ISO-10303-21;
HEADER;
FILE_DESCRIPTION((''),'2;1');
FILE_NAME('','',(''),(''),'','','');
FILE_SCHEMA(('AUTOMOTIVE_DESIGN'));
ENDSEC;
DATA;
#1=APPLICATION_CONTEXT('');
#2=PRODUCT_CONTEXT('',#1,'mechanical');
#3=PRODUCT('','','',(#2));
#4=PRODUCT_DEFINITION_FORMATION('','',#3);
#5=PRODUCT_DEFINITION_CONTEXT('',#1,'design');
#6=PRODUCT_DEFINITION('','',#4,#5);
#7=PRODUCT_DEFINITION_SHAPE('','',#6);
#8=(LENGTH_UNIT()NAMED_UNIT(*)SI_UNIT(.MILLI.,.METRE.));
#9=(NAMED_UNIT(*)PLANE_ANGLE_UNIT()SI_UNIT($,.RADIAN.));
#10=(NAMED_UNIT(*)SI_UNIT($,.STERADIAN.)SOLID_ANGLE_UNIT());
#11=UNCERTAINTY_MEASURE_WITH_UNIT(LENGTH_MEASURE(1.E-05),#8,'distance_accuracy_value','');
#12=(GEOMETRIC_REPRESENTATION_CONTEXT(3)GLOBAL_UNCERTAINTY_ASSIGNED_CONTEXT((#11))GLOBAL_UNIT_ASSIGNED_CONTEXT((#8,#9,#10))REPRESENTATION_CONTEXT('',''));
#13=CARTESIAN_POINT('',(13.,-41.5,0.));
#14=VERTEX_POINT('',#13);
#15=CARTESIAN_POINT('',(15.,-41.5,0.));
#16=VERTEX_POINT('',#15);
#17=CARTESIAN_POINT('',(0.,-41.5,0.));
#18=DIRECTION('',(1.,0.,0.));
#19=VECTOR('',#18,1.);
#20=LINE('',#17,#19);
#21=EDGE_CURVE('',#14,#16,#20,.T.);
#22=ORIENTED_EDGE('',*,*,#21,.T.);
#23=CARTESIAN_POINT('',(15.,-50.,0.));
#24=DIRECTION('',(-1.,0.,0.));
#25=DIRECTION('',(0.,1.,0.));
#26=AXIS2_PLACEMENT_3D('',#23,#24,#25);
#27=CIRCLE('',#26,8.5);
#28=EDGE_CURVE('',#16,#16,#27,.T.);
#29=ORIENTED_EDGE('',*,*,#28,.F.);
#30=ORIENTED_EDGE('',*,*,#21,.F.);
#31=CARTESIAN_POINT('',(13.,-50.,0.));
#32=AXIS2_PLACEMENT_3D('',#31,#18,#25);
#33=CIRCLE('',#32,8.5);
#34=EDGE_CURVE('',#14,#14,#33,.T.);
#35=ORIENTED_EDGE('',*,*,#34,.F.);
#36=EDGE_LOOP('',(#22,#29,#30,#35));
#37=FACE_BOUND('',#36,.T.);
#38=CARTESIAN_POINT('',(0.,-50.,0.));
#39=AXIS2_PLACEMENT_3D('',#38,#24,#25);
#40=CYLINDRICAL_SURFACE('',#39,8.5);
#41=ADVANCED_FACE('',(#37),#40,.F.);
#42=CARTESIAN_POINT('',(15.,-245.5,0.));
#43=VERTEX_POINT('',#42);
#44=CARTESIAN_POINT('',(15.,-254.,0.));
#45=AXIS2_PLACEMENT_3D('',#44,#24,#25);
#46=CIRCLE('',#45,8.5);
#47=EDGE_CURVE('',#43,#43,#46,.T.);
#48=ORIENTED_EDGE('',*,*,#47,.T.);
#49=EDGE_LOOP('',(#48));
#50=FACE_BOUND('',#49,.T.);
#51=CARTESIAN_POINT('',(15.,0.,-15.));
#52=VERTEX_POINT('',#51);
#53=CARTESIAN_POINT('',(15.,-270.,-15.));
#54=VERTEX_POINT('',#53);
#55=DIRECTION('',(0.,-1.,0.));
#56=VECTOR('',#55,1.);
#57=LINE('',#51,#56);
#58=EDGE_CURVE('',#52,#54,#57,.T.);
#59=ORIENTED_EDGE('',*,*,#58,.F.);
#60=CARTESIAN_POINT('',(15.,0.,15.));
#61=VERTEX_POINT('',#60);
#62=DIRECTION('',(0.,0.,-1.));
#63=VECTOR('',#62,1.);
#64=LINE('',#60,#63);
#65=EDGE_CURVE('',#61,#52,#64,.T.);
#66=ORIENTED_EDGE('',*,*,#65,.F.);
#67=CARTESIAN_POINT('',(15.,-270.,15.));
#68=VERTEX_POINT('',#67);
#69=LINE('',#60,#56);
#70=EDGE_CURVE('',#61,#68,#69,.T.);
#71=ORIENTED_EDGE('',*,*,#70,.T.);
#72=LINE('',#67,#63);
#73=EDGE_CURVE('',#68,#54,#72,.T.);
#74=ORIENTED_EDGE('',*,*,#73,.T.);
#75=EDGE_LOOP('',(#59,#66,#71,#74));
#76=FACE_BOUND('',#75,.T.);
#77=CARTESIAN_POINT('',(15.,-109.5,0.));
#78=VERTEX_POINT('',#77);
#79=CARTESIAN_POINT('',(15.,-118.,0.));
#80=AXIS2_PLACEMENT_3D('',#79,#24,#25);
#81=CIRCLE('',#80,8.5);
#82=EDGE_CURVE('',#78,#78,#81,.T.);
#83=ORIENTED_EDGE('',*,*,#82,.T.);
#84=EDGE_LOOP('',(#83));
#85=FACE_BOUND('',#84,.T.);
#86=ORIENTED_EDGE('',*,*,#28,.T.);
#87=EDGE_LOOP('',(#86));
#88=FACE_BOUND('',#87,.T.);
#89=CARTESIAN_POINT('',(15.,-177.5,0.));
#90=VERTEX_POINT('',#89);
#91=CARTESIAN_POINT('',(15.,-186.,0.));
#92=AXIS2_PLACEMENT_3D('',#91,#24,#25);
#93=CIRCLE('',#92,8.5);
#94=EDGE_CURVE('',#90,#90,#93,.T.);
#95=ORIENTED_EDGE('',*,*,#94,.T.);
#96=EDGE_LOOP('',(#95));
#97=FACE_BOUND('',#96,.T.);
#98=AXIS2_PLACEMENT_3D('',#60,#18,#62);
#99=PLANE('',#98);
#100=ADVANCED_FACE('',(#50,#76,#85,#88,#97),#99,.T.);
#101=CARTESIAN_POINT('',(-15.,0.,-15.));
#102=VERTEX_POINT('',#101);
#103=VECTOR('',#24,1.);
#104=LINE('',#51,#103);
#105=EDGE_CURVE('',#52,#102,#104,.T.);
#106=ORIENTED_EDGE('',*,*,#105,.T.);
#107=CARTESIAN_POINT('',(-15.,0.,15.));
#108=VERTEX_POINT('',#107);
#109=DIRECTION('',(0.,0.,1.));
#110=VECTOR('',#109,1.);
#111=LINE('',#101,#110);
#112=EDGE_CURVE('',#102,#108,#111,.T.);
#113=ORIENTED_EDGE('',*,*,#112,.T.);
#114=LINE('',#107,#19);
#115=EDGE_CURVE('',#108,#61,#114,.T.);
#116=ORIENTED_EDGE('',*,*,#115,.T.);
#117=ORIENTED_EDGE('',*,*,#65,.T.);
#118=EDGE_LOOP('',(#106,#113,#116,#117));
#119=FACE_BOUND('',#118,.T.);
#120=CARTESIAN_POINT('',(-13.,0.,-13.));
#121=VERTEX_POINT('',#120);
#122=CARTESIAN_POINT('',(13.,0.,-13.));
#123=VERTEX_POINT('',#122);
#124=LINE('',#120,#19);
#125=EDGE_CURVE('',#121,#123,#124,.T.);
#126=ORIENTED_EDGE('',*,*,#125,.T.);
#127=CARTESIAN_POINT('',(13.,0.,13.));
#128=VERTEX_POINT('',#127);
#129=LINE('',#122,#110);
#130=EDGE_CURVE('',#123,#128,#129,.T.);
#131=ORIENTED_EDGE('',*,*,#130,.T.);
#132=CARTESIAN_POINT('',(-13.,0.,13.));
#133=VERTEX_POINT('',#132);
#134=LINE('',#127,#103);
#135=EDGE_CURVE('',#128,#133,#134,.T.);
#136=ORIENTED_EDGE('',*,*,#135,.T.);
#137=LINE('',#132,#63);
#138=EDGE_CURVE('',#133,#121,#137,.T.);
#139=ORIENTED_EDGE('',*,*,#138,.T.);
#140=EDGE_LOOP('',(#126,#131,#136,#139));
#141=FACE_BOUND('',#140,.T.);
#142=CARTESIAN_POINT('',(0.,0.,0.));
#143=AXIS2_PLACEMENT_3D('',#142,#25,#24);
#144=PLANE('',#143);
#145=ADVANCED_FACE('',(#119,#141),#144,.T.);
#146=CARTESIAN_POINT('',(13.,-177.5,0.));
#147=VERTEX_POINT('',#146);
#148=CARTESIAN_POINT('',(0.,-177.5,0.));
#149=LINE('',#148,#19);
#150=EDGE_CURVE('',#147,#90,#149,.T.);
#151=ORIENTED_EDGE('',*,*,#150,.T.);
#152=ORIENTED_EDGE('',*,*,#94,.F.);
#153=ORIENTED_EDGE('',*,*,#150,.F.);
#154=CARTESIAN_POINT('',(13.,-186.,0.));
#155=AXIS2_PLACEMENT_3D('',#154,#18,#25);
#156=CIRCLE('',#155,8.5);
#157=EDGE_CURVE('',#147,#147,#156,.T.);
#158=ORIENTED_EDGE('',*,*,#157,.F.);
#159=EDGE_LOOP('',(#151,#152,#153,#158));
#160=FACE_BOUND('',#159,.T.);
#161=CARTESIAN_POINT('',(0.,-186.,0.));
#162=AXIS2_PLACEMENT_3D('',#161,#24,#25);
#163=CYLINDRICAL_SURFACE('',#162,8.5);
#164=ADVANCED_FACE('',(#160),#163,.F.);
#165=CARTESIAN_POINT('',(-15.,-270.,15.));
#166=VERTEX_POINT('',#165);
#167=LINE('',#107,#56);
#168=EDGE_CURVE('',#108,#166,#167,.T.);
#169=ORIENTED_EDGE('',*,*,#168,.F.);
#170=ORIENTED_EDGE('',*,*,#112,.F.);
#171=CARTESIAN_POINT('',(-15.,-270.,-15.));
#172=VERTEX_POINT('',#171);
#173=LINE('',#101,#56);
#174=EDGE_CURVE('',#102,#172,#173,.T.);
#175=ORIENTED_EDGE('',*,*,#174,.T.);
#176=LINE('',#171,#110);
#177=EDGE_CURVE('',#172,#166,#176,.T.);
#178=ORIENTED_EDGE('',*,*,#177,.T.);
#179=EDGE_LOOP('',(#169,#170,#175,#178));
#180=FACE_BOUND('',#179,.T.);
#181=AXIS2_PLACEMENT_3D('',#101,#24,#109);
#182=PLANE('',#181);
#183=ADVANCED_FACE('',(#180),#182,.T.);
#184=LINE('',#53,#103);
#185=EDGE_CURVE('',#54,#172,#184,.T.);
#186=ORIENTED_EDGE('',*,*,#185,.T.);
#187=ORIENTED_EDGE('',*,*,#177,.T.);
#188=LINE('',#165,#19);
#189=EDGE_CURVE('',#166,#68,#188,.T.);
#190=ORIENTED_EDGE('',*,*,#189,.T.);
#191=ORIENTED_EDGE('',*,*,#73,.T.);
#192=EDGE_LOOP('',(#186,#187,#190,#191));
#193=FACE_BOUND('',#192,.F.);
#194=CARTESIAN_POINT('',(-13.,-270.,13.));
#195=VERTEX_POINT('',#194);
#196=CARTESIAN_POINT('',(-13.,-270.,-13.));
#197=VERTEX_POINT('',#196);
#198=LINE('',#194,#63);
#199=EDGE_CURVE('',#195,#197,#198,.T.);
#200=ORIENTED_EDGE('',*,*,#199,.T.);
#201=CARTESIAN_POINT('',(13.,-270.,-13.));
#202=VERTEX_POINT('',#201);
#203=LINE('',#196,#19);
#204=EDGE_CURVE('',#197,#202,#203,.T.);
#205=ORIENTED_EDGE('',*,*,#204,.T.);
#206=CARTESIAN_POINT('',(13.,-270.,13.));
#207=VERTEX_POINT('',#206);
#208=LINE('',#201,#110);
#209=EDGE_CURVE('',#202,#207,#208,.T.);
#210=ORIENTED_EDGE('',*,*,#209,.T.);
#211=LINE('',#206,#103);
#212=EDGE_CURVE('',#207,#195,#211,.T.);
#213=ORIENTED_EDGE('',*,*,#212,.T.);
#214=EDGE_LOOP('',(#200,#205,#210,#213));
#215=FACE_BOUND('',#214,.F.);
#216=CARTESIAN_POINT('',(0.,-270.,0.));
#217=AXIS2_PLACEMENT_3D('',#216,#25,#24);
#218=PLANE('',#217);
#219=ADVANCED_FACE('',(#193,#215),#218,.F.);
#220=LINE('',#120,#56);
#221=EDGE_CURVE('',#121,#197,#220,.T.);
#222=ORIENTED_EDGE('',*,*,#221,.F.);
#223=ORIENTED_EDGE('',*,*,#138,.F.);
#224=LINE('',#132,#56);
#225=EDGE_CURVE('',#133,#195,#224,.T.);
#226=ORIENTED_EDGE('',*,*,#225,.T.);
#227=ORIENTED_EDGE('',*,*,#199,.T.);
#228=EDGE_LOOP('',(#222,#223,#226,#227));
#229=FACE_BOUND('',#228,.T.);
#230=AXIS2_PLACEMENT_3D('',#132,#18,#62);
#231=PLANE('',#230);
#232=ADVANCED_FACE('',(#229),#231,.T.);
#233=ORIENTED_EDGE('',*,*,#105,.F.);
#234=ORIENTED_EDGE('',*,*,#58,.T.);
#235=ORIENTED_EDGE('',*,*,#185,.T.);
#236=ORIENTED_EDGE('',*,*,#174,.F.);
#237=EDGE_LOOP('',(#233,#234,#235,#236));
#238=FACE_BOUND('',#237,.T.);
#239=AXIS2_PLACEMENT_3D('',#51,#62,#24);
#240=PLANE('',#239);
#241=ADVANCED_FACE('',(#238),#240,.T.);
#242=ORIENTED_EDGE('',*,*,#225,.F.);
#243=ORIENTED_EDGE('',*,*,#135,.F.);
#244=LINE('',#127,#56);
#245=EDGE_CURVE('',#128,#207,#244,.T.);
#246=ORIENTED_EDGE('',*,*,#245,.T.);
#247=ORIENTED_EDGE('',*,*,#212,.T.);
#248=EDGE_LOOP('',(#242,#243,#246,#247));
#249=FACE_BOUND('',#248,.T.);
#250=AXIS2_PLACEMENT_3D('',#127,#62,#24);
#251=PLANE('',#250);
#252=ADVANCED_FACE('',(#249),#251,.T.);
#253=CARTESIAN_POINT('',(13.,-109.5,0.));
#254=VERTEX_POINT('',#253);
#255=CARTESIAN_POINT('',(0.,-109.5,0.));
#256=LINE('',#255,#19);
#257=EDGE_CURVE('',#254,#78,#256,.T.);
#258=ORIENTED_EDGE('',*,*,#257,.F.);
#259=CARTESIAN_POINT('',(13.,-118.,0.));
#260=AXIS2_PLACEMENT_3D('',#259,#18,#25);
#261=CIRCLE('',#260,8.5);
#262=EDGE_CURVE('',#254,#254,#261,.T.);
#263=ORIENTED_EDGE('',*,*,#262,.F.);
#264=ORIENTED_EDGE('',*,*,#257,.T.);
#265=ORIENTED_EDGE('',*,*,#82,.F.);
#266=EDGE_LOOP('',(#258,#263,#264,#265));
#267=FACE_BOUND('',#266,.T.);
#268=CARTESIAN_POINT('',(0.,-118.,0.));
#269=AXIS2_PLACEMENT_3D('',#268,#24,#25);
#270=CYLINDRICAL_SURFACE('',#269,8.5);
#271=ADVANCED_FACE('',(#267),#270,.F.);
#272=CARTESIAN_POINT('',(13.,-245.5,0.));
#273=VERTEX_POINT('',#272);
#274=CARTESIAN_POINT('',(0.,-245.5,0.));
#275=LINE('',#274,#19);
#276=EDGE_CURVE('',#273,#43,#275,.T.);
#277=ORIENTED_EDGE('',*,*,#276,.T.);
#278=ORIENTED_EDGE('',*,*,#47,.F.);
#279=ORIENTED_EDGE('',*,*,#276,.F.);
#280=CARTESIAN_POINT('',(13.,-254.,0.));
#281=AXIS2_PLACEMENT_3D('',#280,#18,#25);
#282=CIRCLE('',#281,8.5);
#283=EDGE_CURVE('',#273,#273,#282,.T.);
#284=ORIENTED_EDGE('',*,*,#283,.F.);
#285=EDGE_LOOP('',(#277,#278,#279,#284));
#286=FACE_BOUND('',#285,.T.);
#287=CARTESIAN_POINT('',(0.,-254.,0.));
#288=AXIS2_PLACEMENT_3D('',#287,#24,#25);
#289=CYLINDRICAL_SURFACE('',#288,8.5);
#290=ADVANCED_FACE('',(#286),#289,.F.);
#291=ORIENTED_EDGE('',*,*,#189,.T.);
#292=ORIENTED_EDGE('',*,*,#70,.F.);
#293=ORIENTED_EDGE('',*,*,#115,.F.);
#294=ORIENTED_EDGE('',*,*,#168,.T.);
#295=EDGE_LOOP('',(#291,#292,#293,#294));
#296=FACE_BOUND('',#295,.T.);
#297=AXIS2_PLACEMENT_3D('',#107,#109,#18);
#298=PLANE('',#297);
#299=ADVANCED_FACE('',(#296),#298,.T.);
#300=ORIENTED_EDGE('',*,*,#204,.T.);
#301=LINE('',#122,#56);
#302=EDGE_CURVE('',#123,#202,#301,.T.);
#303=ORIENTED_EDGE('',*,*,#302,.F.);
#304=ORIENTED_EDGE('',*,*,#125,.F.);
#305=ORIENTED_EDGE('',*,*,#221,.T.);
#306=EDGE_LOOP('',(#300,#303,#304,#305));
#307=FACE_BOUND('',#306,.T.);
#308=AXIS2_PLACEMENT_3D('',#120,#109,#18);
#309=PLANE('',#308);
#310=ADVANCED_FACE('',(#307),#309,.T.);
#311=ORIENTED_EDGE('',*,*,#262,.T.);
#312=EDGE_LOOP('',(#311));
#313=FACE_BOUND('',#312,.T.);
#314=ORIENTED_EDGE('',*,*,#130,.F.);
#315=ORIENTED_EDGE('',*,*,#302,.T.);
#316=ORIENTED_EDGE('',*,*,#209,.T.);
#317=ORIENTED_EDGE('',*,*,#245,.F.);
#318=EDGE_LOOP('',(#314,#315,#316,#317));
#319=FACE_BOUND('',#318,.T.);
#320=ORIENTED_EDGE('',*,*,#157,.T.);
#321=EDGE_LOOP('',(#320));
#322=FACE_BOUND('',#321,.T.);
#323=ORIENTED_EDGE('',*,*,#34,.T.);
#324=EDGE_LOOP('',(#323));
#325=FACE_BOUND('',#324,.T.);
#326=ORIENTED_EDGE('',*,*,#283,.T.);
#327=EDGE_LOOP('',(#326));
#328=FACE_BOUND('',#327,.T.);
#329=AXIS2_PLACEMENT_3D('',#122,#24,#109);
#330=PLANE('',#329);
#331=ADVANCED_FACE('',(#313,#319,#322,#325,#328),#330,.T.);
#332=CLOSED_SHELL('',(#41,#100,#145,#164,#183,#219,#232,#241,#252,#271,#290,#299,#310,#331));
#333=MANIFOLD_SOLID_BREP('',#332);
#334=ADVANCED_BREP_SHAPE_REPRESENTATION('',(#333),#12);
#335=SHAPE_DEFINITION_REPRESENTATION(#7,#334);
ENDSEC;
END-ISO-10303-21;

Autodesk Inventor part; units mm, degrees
ref_plane "YZ Plane" through (0, 0, 0) normal (1, 0, 0) x (0, 1, 0)
ref_plane "XZ Plane" through (0, 0, 0) normal (0, 1, 0) x (-1, 0, 0)
ref_plane "XY Plane" through (0, 0, 0) normal (0, 0, 1) x (1, 0, 0)
sketch "Sketch9" plane through (0, 0, 0) normal (0, 1, 0) x (-1, 0, 0)
  line L0 (15, 15) -> (-15, 15)
  line L1 (-15, 15) -> (-15, -15)
  line L2 (-15, -15) -> (15, -15)
  line L3 (15, -15) -> (15, 15)
  line L4 (15, 15) -> (-15, -15) construction
  line L5 (-15, 15) -> (15, -15) construction
  line L6 (-13, 13) -> (13, 13)
  line L7 (13, 13) -> (13, -13)
  line L8 (13, -13) -> (-13, -13)
  line L9 (-13, -13) -> (-13, 13)
  point P0 (0, 0)
  dimension "d172" = 30
  dimension "d173" = 30
  dimension "d174" = 2
extrude "Extrusion3" add sketch "Sketch9" against normal blind 270
sketch "Sketch10" plane through (0, 0, 0) normal (1, 0, 0) x (0, 1, 0)
  line L0 (0, 15) -> (0, -15) construction
  line L1 (0, 15) -> (-270, 15) construction
  line L2 (0, -15) -> (-270, -15) construction
  line L3 (-58.5, 8.5) -> (-41.5, 8.5)
  line L4 (-41.5, 8.5) -> (-41.5, -8.5)
  line L5 (-41.5, -8.5) -> (-58.5, -8.5)
  line L6 (-58.5, -8.5) -> (-58.5, 8.5)
  line L7 (-58.5, 8.5) -> (-41.5, -8.5) construction
  line L8 (-41.5, 8.5) -> (-58.5, -8.5) construction
  line L9 (0, 0) -> (30, 0)
  circle A0 centre (-50, 0) radius 8.5
  dimension "d177" = 17
  dimension "d178" = 17
  dimension "d181" = 30
  dimension "d182" = 80
extrude "Extrusion4" cut sketch "Sketch10" along normal through all contours A0
pattern_linear "Rectangular Pattern4" count 4 spacing 68 along (0, -1, 0) of "Extrusion4"
properties part number "PRS 1200-56 FDS 1000 way tube 4" material "Stainless Steel"
